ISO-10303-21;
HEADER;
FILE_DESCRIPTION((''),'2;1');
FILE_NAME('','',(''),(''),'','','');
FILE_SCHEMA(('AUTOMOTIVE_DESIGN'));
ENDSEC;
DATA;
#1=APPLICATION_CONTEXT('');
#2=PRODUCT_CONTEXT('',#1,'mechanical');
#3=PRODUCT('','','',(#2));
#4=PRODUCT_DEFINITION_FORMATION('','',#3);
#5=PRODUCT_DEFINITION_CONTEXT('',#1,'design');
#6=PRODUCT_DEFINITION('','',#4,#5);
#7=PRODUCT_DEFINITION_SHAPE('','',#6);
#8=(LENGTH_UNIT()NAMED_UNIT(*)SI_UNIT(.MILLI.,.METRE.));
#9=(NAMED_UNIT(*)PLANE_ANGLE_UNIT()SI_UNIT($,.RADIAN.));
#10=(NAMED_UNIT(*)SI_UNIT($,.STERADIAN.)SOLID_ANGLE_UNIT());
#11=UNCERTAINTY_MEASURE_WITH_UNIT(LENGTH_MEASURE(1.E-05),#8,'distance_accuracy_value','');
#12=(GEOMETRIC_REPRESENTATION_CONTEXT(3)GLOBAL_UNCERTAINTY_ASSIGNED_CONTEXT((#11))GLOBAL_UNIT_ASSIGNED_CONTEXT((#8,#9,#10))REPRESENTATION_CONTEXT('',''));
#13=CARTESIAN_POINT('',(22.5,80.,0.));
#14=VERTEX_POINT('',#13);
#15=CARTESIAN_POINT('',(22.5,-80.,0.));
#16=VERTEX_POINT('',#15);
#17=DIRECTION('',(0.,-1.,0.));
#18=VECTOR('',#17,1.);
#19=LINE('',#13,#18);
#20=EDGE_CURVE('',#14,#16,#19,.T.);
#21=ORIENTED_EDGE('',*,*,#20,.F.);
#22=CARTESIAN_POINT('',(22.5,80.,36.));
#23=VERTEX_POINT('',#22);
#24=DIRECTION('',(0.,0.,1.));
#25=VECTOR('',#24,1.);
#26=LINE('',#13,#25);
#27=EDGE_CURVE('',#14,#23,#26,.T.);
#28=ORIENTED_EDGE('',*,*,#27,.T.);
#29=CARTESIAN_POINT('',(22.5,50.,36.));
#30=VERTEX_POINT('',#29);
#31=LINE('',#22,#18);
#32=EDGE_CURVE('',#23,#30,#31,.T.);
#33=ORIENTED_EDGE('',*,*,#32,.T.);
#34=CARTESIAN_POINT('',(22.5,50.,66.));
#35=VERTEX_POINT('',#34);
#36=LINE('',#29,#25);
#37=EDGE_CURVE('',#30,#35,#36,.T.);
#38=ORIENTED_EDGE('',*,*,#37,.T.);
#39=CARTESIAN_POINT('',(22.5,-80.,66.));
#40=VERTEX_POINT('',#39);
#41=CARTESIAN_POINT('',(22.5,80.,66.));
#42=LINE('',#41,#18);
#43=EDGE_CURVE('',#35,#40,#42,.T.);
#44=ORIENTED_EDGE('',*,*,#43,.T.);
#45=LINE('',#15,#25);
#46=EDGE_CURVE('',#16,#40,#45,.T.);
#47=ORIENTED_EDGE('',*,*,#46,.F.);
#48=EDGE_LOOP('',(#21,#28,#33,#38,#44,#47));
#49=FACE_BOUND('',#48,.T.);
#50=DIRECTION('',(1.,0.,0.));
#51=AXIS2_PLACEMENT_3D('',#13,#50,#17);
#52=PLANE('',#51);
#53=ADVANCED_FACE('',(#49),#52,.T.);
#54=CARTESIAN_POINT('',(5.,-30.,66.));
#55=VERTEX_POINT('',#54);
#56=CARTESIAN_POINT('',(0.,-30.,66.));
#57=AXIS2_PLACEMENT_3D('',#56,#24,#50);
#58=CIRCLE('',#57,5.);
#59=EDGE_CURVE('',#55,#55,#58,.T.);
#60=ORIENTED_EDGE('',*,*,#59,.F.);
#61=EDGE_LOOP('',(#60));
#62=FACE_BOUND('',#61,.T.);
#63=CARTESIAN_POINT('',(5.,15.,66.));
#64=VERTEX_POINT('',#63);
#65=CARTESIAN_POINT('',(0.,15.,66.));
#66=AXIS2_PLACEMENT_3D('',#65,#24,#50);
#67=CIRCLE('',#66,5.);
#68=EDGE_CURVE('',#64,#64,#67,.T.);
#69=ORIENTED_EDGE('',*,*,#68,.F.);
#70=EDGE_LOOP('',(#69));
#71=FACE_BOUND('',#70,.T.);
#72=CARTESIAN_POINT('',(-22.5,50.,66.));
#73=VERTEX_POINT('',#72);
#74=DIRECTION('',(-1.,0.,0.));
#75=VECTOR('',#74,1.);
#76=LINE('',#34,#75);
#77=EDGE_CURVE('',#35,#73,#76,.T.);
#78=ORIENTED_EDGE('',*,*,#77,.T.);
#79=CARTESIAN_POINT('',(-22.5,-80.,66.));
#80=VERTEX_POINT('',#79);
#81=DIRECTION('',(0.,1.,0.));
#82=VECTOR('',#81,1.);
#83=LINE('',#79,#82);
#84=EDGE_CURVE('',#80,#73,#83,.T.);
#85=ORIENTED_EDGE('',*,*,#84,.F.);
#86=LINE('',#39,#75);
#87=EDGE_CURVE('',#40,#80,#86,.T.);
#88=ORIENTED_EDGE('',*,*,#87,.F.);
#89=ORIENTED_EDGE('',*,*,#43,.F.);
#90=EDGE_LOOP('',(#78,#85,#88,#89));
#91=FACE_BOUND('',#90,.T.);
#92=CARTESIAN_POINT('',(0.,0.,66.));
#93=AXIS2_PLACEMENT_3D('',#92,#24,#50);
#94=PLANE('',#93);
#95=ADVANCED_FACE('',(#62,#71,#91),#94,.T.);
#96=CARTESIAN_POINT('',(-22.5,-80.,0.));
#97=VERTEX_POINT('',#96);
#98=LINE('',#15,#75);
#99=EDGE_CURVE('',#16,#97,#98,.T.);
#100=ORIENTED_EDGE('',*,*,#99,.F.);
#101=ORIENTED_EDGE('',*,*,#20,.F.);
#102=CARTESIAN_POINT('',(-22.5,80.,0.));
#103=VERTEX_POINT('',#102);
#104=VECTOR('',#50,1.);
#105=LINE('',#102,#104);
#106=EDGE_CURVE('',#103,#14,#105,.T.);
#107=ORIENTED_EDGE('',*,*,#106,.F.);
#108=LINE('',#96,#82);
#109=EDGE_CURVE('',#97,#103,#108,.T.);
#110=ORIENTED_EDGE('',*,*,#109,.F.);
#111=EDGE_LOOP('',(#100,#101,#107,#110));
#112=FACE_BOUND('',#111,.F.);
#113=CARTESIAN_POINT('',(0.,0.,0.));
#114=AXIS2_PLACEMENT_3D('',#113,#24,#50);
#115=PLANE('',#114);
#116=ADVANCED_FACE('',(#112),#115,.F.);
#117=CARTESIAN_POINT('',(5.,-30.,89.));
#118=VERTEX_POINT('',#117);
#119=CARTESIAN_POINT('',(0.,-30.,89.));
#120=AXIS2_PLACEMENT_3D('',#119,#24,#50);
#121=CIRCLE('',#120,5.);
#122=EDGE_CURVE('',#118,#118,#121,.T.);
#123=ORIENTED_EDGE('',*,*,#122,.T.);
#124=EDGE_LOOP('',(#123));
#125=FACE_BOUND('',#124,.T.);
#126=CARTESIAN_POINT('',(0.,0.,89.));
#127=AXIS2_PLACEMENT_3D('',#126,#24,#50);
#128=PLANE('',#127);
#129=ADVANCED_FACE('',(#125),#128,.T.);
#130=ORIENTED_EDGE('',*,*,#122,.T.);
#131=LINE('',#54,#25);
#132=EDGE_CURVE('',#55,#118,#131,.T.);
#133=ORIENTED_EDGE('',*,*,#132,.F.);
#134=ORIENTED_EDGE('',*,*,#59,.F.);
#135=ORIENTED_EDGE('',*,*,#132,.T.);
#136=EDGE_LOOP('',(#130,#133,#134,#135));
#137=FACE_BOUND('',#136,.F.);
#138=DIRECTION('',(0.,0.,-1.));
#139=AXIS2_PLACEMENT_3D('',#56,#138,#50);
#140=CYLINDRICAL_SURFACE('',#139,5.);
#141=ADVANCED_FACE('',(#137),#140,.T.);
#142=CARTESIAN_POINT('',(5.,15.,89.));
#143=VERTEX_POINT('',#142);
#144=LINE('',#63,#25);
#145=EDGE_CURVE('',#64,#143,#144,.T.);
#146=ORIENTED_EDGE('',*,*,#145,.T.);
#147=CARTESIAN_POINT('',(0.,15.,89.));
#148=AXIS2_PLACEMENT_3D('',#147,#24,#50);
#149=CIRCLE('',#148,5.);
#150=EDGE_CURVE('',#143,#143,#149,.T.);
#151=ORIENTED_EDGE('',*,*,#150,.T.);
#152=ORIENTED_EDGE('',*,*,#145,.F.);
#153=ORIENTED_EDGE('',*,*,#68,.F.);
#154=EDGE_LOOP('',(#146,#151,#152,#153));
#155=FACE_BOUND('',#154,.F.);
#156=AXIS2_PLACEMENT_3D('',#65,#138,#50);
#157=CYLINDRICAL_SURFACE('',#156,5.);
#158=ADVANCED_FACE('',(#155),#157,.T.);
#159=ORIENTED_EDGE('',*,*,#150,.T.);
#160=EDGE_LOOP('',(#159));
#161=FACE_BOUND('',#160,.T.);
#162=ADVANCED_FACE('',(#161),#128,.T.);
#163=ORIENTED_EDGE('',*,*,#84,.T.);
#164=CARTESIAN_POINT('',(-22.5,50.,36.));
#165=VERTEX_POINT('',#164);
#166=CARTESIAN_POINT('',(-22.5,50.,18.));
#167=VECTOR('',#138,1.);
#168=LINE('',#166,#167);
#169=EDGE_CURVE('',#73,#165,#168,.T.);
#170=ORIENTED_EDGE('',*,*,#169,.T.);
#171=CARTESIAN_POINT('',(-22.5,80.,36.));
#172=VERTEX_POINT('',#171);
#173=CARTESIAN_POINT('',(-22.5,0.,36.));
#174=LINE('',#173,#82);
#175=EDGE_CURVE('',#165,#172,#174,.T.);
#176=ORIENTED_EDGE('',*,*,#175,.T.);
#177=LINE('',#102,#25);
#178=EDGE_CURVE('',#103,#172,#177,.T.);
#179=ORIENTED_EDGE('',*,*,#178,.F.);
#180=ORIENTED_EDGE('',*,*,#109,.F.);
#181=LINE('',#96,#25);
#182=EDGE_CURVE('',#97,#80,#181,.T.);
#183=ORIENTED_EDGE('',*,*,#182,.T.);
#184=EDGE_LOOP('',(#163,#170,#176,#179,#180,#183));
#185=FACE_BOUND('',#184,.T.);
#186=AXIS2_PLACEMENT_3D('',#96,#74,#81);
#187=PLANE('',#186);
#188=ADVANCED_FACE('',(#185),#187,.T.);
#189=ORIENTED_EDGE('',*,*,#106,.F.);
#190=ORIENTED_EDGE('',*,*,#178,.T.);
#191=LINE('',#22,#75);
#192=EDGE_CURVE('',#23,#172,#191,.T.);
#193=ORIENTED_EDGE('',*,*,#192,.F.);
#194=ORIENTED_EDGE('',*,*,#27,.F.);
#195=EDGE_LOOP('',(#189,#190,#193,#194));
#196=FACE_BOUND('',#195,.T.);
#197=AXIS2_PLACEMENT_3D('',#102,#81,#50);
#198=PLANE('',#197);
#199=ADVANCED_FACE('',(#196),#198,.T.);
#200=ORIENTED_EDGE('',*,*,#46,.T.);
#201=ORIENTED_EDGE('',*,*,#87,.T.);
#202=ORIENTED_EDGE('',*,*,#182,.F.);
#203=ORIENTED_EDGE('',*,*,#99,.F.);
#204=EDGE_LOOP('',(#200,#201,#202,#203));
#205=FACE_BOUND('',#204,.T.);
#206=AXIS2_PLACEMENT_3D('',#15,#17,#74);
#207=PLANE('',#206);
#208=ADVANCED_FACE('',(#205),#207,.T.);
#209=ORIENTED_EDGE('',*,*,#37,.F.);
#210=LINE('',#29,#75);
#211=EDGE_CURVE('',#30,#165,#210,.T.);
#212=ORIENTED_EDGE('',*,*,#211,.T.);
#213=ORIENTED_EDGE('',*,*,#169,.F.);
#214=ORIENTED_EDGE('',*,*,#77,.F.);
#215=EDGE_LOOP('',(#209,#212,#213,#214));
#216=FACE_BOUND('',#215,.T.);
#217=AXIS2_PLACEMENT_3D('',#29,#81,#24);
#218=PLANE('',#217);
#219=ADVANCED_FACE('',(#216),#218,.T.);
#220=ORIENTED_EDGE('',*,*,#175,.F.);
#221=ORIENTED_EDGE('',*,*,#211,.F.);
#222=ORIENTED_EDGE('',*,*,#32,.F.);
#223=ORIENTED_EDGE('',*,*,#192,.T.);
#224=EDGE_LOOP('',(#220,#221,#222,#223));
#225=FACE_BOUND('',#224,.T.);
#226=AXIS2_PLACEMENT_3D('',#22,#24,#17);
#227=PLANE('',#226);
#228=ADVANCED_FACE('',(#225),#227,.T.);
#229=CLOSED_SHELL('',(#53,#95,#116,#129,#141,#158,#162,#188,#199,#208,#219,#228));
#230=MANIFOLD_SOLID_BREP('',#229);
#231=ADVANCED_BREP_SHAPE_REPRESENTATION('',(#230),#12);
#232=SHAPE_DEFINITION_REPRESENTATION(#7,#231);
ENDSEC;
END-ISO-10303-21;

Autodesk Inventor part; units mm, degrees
ref_plane "YZ Plane" through (0, 0, 0) normal (1, 0, 0) x (0, 1, 0)
ref_plane "XZ Plane" through (0, 0, 0) normal (0, 1, 0) x (-1, 0, 0)
ref_plane "XY Plane" through (0, 0, 0) normal (0, 0, 1) x (1, 0, 0)
sketch "Sketch1" plane through (0, 0, 0) normal (0, 0, 1) x (1, 0, 0)
  line L0 (0, 112) -> (0, -112) construction
  line L1 (-31.5, 0) -> (31.5, 0) construction
  line L2 (-22.5, 80) -> (22.5, 80)
  line L3 (22.5, 80) -> (22.5, -80)
  line L4 (22.5, -80) -> (-22.5, -80)
  line L5 (-22.5, -80) -> (-22.5, 80)
  line L6 (-22.5, 80) -> (22.5, -80) construction
  line L7 (22.5, 80) -> (-22.5, -80) construction
  point P0 (0, 0)
  dimension "d4" = 160
  dimension "d5" = 45
extrude "Extrusion3" add sketch "Sketch1" along normal blind 66
sketch "Sketch2" plane through (0, 0, 66) normal (0, 0, 1) x (1, 0, 0)
  circle A0 centre (0, -30) radius 5
  circle A1 centre (0, 15) radius 5
  line L0 (-22.5, -80) -> (22.5, -80) projected
  point P0 (0, 0)
  dimension "d8" = 10
  dimension "d9" = 50
  dimension "d10" = 45
extrude "Extrusion4" add sketch "Sketch2" along normal blind 23
thread "Thread1" size "M10x1.5" class "6g" standard "ISO Metric profile" full length
thread "Thread2" size "M10x1.5" class "6g" standard "ISO Metric profile" full length
sketch "Sketch3" plane through (22.5, -80, 0) normal (1, 0, 0) x (0, 0, -1)
  line L0 (0, 160) -> (0, 0) projected
  line L1 (0, 160) -> (-66, 160) projected
  line L2 (-66, 0) -> (-66, 160) projected
  line L3 (0, 0) -> (-66, 0) projected
  line L4 (-66, 160) -> (-36, 160)
  line L5 (-36, 160) -> (-36, 130)
  line L6 (-36, 130) -> (-66, 130)
  line L7 (-66, 130) -> (-66, 160)
  point P0 (0, 80)
  dimension "d17" = 30
  dimension "d18" = 30
extrude "Extrusion5" cut sketch "Sketch3" against normal through all contours L5 L6 L2 L1
properties part number "17-0028-0082"
